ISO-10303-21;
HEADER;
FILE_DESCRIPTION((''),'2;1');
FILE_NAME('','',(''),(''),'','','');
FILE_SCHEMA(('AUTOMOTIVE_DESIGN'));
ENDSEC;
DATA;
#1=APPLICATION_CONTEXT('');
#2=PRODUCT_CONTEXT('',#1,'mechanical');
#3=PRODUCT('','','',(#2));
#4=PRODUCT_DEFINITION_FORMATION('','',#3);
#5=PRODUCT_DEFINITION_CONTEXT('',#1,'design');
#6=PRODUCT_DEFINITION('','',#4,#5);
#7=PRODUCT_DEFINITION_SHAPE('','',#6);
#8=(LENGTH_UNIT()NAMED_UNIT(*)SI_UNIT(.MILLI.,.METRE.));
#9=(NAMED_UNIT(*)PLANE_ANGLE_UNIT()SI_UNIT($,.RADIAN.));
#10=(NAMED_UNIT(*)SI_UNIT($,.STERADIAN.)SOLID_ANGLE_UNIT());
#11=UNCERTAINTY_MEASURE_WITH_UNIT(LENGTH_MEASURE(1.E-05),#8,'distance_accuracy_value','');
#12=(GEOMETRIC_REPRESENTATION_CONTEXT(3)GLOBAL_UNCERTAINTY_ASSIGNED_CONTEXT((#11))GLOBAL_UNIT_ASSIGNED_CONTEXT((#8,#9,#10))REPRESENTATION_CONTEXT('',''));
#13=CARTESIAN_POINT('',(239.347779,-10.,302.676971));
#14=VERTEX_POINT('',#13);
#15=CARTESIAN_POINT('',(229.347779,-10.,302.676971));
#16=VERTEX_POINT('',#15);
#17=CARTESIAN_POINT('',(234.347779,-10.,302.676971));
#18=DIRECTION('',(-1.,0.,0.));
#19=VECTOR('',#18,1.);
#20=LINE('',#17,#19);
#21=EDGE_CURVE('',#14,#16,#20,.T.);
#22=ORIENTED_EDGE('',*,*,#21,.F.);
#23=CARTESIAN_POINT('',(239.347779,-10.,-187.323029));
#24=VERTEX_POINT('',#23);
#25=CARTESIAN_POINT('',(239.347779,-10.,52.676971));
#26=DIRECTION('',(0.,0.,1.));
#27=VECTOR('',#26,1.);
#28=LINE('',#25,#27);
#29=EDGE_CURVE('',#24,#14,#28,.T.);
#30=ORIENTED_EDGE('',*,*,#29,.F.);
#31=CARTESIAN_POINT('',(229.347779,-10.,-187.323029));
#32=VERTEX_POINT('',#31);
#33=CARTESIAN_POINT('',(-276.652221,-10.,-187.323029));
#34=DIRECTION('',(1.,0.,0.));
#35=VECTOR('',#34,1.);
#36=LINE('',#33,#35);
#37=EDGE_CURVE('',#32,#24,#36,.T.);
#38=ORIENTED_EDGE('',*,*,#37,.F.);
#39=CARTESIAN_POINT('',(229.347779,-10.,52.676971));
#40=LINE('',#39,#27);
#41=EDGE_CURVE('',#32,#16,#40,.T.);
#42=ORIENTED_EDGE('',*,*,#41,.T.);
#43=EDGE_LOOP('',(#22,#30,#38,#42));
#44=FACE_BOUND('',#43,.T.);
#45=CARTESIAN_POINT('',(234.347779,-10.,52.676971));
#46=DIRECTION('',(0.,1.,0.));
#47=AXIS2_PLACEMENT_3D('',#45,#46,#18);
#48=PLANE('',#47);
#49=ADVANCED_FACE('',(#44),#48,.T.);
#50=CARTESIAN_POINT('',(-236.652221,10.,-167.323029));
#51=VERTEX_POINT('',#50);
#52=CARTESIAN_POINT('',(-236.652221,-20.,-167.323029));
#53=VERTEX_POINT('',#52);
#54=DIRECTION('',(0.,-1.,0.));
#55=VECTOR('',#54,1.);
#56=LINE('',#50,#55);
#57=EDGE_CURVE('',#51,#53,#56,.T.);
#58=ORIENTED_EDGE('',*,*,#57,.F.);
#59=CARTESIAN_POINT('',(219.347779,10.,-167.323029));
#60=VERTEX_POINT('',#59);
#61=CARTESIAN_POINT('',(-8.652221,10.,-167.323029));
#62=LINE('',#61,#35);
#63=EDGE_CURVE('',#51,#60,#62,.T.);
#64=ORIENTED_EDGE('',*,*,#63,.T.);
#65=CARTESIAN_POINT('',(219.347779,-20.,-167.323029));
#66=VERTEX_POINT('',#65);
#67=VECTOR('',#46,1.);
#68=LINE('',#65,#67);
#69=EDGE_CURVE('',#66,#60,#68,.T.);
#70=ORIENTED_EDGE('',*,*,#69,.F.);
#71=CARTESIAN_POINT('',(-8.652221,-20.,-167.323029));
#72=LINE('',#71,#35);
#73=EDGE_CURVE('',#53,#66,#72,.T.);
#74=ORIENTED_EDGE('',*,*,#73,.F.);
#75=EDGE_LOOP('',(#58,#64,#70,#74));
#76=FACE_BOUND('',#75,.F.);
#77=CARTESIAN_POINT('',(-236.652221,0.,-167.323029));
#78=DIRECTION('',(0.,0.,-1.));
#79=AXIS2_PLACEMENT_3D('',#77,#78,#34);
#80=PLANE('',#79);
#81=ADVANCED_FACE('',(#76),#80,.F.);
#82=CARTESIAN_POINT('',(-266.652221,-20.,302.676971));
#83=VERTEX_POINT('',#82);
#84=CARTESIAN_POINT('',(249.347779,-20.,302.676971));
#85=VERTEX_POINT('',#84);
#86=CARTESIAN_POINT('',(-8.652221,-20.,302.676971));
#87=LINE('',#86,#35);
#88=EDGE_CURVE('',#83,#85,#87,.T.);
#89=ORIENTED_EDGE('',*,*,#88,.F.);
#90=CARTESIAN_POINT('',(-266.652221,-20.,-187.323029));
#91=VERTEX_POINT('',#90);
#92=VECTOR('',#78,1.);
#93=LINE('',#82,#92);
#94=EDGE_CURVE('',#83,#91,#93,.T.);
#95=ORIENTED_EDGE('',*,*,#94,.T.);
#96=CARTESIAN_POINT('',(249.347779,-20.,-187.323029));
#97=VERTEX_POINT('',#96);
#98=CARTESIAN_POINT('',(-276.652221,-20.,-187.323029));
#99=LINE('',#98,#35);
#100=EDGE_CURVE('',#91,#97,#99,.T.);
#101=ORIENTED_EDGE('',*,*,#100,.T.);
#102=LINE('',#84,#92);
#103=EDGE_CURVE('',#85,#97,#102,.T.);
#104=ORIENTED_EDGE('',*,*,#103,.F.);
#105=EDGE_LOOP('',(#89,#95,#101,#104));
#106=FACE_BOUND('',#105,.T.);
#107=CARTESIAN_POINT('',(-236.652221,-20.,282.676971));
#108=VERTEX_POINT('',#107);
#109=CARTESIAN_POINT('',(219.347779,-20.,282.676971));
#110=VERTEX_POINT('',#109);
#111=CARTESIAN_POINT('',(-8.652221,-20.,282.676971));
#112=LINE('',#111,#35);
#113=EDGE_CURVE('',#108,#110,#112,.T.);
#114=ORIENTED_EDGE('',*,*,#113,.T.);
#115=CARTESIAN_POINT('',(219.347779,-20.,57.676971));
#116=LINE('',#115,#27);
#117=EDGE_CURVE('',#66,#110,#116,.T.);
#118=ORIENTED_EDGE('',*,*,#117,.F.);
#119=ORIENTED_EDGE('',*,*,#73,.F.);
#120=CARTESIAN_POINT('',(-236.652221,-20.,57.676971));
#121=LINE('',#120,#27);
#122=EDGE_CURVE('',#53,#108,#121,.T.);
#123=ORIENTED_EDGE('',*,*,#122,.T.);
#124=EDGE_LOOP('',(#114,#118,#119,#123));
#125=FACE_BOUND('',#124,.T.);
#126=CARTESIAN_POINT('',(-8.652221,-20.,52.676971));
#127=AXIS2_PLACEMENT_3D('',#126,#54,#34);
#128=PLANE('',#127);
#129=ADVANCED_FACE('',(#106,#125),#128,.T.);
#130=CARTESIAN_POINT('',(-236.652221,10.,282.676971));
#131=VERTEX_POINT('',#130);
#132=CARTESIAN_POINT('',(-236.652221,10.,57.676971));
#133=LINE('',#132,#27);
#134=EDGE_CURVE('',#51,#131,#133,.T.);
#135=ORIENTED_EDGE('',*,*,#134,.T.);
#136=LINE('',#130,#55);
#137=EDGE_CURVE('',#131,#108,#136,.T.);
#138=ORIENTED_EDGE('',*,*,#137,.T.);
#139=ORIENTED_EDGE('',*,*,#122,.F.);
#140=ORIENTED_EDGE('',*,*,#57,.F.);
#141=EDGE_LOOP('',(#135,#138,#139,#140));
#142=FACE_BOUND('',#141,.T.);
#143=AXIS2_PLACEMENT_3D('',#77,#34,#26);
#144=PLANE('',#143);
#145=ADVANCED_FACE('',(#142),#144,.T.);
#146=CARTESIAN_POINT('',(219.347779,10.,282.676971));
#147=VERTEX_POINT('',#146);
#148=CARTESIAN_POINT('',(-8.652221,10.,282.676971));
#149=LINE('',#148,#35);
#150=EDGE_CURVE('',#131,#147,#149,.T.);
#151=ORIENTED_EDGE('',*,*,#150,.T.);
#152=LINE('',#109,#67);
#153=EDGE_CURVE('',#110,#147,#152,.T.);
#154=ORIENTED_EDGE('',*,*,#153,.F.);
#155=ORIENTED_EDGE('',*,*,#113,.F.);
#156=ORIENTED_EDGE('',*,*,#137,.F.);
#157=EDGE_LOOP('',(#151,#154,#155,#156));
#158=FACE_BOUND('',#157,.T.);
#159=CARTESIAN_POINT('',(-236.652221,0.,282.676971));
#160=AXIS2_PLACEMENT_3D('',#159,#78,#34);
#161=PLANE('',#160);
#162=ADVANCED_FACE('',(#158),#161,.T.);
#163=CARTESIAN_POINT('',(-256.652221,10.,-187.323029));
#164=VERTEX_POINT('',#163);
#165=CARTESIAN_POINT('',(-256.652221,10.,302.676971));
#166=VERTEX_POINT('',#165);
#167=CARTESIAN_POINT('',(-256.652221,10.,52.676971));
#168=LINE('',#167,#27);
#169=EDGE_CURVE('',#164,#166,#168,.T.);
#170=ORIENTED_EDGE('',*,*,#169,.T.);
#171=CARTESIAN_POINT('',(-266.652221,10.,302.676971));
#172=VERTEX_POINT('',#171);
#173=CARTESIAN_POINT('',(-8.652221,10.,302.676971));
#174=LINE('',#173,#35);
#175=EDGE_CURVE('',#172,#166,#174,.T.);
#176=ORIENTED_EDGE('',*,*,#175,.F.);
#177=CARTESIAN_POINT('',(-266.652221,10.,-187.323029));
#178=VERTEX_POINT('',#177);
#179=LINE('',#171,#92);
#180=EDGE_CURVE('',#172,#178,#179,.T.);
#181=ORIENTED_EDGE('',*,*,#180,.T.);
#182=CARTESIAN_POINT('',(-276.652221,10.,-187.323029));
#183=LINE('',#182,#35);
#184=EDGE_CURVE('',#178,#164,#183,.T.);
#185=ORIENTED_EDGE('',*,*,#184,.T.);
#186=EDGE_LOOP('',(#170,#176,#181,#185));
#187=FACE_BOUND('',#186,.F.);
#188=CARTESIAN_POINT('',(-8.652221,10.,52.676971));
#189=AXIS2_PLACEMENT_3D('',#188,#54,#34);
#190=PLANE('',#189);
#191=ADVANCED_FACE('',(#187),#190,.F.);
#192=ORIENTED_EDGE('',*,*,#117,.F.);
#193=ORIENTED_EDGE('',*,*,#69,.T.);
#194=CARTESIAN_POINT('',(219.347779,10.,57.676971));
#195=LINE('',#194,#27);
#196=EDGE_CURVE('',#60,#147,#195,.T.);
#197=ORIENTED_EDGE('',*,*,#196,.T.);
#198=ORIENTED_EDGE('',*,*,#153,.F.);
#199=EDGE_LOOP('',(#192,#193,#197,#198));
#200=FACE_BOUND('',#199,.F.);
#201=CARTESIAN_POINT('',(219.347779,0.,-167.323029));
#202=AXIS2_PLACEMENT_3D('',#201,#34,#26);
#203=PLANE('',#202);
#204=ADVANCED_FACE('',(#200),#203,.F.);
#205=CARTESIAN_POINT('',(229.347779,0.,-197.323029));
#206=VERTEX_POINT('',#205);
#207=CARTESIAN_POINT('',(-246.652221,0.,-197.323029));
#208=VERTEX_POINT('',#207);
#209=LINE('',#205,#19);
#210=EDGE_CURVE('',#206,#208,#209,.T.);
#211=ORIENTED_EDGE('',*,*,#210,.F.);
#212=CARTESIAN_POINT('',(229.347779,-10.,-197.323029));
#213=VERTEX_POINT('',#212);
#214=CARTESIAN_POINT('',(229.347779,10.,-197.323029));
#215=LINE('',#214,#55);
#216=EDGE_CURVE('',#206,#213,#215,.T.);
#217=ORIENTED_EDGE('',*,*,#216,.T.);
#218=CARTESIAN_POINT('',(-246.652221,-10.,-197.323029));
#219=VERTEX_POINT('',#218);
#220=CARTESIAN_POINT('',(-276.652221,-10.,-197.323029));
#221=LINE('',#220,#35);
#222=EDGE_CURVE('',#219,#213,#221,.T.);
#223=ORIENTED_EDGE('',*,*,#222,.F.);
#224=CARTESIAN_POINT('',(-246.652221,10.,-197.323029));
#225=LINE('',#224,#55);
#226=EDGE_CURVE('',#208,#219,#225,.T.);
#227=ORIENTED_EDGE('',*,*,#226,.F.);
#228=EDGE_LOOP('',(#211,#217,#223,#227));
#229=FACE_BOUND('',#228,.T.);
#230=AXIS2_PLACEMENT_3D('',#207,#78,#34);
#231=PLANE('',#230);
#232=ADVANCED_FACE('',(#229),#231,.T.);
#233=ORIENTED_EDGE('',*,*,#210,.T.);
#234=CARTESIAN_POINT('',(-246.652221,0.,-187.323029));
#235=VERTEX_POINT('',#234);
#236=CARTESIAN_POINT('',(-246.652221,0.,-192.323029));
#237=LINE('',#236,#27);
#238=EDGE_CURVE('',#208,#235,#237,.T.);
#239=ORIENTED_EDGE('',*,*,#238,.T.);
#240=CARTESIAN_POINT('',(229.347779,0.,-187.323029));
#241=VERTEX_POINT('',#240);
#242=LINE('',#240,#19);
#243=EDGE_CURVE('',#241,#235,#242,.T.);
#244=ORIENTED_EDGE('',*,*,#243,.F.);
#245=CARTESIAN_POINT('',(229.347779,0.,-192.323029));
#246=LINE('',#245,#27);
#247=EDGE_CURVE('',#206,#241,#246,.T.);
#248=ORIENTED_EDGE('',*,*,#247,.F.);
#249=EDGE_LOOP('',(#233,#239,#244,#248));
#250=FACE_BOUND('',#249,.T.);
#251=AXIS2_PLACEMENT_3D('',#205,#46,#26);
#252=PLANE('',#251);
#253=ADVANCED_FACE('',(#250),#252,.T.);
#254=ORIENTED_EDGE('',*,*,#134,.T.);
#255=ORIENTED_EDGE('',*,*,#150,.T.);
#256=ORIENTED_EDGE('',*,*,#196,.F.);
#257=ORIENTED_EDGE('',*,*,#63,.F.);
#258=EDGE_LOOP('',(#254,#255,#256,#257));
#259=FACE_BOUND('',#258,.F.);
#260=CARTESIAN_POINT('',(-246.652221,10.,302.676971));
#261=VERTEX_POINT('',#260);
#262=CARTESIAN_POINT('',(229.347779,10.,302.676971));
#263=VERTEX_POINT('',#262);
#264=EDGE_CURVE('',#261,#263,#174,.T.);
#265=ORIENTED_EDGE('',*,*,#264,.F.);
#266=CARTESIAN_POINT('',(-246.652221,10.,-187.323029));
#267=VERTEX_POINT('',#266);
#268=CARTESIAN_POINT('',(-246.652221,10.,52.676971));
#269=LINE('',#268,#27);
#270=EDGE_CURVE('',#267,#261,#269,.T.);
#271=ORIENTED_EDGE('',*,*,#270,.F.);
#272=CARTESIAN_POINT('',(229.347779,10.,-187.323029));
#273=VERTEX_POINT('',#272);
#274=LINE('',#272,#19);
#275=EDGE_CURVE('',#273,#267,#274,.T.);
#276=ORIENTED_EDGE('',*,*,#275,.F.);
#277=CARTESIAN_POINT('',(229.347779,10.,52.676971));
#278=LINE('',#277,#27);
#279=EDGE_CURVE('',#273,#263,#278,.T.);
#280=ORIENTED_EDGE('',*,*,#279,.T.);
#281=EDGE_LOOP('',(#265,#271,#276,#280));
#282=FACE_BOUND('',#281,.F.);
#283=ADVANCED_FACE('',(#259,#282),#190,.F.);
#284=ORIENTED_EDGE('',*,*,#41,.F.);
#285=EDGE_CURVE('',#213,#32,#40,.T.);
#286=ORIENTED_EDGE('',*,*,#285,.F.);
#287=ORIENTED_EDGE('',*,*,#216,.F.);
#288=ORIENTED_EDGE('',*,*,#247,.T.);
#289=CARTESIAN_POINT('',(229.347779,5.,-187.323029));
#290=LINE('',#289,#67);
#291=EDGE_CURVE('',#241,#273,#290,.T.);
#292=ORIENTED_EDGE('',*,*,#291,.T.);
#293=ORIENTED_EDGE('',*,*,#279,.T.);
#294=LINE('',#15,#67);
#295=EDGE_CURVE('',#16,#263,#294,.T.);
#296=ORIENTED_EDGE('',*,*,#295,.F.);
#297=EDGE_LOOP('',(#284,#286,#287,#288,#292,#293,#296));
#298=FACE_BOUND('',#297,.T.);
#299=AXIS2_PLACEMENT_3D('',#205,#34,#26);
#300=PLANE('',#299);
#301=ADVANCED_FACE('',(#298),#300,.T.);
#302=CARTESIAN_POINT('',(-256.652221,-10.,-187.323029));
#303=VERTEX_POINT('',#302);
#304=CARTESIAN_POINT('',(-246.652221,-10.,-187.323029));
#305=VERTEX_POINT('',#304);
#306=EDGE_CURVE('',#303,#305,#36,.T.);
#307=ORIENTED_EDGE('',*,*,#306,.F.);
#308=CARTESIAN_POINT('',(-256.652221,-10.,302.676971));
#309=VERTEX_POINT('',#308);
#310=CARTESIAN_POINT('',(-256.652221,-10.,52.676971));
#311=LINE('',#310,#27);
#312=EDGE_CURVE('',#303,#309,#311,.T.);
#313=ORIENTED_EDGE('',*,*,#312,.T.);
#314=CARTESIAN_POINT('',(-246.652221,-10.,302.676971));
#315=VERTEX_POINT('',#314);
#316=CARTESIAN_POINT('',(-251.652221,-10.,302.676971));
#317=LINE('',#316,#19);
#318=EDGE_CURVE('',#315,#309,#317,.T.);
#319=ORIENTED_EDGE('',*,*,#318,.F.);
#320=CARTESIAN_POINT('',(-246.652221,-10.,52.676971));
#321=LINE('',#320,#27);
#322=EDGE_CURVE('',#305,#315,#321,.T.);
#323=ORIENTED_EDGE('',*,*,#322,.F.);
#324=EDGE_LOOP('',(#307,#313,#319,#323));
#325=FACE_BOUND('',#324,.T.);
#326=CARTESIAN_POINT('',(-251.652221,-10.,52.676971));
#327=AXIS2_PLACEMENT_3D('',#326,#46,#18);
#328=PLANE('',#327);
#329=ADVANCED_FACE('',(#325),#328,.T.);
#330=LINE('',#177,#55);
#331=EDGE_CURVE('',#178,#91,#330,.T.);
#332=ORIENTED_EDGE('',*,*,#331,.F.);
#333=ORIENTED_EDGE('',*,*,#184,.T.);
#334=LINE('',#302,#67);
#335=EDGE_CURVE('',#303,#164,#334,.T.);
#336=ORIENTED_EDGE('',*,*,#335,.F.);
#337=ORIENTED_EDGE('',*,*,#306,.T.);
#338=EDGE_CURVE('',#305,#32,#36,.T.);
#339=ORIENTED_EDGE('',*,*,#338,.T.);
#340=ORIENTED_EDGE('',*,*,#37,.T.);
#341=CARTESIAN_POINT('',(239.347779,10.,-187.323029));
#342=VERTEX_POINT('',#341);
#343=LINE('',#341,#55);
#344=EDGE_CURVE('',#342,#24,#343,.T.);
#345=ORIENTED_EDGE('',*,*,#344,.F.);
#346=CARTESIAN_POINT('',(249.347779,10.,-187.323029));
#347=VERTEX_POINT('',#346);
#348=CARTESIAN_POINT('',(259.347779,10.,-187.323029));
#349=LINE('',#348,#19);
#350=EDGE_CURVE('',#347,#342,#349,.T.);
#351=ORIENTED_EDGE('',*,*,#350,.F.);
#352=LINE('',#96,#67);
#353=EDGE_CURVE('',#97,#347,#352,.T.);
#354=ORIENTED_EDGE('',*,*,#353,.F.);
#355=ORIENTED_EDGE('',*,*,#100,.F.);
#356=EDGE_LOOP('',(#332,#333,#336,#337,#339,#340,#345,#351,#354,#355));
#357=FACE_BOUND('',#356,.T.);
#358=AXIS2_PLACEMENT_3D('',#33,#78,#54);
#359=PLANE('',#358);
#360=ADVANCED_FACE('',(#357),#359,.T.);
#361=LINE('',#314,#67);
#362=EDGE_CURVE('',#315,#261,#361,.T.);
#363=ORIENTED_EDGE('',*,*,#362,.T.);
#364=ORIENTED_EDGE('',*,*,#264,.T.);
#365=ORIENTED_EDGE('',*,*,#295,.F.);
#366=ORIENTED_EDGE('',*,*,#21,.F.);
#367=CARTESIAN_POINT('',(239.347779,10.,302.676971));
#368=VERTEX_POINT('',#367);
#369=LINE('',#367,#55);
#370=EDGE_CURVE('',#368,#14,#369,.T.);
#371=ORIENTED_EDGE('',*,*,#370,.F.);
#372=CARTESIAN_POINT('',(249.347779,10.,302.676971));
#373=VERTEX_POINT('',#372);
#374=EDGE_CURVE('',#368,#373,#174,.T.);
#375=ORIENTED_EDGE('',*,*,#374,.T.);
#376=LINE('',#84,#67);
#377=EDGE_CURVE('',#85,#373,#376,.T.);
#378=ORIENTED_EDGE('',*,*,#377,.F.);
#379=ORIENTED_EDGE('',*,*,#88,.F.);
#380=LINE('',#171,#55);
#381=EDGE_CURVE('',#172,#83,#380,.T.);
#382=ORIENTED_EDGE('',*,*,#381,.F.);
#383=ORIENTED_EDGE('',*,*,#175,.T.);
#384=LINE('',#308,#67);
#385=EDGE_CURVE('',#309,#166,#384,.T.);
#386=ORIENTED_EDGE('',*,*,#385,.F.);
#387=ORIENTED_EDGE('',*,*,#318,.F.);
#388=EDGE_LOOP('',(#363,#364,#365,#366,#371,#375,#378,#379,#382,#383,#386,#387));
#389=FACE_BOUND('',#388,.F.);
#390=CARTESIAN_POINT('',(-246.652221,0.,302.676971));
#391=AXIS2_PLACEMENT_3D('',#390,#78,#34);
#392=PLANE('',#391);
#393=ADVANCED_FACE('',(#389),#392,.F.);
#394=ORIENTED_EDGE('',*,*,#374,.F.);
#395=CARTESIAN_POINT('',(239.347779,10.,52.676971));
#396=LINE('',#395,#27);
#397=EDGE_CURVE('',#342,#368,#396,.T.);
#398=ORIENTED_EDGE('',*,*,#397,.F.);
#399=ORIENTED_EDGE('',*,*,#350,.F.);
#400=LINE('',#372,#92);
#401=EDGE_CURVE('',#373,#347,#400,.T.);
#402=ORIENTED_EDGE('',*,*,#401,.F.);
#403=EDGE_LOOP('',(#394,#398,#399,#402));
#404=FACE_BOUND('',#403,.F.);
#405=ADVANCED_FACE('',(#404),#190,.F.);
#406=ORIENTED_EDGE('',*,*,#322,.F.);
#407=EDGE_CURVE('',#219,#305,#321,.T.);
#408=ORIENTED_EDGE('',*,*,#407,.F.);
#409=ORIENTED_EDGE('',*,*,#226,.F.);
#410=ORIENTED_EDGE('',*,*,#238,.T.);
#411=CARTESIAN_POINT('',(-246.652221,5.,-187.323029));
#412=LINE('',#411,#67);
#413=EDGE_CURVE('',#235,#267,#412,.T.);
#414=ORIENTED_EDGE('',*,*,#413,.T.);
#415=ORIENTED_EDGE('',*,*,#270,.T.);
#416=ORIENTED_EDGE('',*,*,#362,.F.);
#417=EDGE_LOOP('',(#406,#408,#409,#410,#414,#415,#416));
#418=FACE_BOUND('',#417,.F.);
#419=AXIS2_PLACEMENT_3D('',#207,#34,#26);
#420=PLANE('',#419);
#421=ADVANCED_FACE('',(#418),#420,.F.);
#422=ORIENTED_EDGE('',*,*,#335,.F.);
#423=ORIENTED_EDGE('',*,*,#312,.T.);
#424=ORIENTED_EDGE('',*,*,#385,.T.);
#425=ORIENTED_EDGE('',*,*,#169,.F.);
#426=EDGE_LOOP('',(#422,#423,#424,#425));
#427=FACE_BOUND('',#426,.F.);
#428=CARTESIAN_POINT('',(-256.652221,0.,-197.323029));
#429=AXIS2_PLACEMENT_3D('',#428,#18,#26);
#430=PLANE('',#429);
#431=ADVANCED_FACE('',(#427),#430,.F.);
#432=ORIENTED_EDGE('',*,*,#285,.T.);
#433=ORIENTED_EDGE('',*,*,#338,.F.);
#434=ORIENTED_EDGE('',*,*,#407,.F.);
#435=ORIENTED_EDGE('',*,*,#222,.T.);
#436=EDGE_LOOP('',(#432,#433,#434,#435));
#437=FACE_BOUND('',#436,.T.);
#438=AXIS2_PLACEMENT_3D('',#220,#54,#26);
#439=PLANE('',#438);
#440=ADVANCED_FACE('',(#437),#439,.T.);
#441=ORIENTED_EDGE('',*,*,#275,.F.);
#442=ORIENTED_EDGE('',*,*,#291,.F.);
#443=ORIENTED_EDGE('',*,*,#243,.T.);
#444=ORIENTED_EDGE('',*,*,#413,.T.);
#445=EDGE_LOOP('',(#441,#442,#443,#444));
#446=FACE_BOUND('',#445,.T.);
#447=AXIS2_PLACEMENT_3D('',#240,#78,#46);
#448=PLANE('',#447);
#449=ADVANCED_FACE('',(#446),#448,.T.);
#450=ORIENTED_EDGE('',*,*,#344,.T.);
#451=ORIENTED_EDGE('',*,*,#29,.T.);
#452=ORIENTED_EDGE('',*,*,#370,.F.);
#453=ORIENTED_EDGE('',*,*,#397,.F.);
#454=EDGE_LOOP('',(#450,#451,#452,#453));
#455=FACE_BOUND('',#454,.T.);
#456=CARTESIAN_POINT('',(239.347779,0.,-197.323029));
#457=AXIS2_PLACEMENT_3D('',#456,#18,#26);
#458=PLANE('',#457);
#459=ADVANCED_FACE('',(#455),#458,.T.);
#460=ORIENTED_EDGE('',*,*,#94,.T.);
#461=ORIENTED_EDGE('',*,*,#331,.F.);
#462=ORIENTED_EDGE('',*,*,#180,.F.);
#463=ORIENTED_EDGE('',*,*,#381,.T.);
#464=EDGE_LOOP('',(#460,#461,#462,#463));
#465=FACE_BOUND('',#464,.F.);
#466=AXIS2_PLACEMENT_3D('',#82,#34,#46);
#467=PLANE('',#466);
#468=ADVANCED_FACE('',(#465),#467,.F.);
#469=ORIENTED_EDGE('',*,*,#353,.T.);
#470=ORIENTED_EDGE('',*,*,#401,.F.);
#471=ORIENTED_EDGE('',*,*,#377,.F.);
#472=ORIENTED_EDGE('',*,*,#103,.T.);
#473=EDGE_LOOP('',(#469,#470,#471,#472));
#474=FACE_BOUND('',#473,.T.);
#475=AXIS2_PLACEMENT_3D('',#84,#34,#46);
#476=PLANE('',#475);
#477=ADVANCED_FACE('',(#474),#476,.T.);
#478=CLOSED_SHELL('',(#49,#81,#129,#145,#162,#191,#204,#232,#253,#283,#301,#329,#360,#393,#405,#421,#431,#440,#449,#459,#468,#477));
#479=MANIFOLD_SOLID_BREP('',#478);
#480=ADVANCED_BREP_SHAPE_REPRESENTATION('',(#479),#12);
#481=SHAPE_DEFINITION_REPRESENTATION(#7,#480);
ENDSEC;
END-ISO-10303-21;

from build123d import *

# Parameters (mm, degrees)
F0_W      = 536
F0_H      = 500
F0_W_2    = 456
F0_H_2    = 450
F1_DEPTH  = 20
F2_W      = 10
F2_H      = 10
F3_DEPTH  = 536
F4_W      = 10
F4_H      = 500
F5_DEPTH  = 10
F6_W      = 10
F6_H      = 10
F7_DEPTH  = 20
F8_W      = 10
F8_H      = 10
F9_DEPTH  = 20
F10_W     = 10
F10_H     = 20
F11_DEPTH = 490
F12_DEPTH = 10
F13_W     = 10
F13_H     = 10
F14_DEPTH = 476


with BuildPart() as f1:
    # F0 (on Front) → F1 (new body)
    with BuildSketch(Plane.XZ):
        with Locations((-8.6522214115, 52.6769706468)):
            Rectangle(F0_W, F0_H)
        with Locations((-8.6522214115, 57.6769706468)):
            Rectangle(F0_W_2, F0_H_2, mode=Mode.SUBTRACT)
    extrude(amount=F1_DEPTH)

    # F2 (on face) → F3 (cut, through all)
    with BuildSketch(Plane(origin=(-276.6522214115, 0, 0), x_dir=(0, -1, 0), z_dir=(-1, 0, 0))):
        with Locations((15, -192.3230293532)):
            Rectangle(F2_W, F2_H)
    extrude(amount=-F3_DEPTH, mode=Mode.SUBTRACT)

    # F4 (on face) → F5 (cut)
    with BuildSketch(Plane(origin=(0, 0, 0), x_dir=(-1, 0, 0), z_dir=(0, 1, 0))):
        with Locations((251.6522214115, 52.6769706468)):
            Rectangle(F4_W, F4_H)
        with Locations((-234.3477785885, 52.6769706468)):
            Rectangle(F4_W, F4_H)
    extrude(amount=-F5_DEPTH, mode=Mode.SUBTRACT)

    # F6 (on face) → F7 (cut, through all)
    with BuildSketch(Plane.YZ.offset(259.3477785885)):
        with Locations((-5, -192.3230293532)):
            Rectangle(F6_W, F6_H)
    extrude(amount=-F7_DEPTH, mode=Mode.SUBTRACT)

    # F8 (on face) → F9 (cut, through all)
    with BuildSketch(Plane(origin=(-276.6522214115, 0, 0), x_dir=(0, -1, 0), z_dir=(-1, 0, 0))):
        with Locations((5, -192.3230293532)):
            Rectangle(F8_W, F8_H)
    extrude(amount=-F9_DEPTH, mode=Mode.SUBTRACT)

    # F10 (on face) → F11 (cut, through all)
    with BuildSketch(Plane.XY.offset(302.6769706468)):
        with Locations((-271.6522214115, -10)):
            Rectangle(F10_W, F10_H)
        with Locations((254.3477785885, -10)):
            Rectangle(F10_W, F10_H)
    extrude(amount=-F11_DEPTH, mode=Mode.SUBTRACT)

    # F12 (add): faces of the model
    f12_faces = [f1.faces().sort_by_distance(p)[0] for p in [
        (222.4443301749, 0, 52.6769706468),
        (244.3477785885, 0, 57.6769706468),
        (-261.6522214115, 0, 57.6769706468),
    ]]
    extrude(f12_faces, amount=F12_DEPTH)

    # F13 (on face) → F14 (cut, through all)
    with BuildSketch(Plane.YZ.offset(229.3477785885)):
        with Locations((5, -192.3230293532)):
            Rectangle(F13_W, F13_H)
    extrude(amount=-F14_DEPTH, mode=Mode.SUBTRACT)


solid = f1.part
